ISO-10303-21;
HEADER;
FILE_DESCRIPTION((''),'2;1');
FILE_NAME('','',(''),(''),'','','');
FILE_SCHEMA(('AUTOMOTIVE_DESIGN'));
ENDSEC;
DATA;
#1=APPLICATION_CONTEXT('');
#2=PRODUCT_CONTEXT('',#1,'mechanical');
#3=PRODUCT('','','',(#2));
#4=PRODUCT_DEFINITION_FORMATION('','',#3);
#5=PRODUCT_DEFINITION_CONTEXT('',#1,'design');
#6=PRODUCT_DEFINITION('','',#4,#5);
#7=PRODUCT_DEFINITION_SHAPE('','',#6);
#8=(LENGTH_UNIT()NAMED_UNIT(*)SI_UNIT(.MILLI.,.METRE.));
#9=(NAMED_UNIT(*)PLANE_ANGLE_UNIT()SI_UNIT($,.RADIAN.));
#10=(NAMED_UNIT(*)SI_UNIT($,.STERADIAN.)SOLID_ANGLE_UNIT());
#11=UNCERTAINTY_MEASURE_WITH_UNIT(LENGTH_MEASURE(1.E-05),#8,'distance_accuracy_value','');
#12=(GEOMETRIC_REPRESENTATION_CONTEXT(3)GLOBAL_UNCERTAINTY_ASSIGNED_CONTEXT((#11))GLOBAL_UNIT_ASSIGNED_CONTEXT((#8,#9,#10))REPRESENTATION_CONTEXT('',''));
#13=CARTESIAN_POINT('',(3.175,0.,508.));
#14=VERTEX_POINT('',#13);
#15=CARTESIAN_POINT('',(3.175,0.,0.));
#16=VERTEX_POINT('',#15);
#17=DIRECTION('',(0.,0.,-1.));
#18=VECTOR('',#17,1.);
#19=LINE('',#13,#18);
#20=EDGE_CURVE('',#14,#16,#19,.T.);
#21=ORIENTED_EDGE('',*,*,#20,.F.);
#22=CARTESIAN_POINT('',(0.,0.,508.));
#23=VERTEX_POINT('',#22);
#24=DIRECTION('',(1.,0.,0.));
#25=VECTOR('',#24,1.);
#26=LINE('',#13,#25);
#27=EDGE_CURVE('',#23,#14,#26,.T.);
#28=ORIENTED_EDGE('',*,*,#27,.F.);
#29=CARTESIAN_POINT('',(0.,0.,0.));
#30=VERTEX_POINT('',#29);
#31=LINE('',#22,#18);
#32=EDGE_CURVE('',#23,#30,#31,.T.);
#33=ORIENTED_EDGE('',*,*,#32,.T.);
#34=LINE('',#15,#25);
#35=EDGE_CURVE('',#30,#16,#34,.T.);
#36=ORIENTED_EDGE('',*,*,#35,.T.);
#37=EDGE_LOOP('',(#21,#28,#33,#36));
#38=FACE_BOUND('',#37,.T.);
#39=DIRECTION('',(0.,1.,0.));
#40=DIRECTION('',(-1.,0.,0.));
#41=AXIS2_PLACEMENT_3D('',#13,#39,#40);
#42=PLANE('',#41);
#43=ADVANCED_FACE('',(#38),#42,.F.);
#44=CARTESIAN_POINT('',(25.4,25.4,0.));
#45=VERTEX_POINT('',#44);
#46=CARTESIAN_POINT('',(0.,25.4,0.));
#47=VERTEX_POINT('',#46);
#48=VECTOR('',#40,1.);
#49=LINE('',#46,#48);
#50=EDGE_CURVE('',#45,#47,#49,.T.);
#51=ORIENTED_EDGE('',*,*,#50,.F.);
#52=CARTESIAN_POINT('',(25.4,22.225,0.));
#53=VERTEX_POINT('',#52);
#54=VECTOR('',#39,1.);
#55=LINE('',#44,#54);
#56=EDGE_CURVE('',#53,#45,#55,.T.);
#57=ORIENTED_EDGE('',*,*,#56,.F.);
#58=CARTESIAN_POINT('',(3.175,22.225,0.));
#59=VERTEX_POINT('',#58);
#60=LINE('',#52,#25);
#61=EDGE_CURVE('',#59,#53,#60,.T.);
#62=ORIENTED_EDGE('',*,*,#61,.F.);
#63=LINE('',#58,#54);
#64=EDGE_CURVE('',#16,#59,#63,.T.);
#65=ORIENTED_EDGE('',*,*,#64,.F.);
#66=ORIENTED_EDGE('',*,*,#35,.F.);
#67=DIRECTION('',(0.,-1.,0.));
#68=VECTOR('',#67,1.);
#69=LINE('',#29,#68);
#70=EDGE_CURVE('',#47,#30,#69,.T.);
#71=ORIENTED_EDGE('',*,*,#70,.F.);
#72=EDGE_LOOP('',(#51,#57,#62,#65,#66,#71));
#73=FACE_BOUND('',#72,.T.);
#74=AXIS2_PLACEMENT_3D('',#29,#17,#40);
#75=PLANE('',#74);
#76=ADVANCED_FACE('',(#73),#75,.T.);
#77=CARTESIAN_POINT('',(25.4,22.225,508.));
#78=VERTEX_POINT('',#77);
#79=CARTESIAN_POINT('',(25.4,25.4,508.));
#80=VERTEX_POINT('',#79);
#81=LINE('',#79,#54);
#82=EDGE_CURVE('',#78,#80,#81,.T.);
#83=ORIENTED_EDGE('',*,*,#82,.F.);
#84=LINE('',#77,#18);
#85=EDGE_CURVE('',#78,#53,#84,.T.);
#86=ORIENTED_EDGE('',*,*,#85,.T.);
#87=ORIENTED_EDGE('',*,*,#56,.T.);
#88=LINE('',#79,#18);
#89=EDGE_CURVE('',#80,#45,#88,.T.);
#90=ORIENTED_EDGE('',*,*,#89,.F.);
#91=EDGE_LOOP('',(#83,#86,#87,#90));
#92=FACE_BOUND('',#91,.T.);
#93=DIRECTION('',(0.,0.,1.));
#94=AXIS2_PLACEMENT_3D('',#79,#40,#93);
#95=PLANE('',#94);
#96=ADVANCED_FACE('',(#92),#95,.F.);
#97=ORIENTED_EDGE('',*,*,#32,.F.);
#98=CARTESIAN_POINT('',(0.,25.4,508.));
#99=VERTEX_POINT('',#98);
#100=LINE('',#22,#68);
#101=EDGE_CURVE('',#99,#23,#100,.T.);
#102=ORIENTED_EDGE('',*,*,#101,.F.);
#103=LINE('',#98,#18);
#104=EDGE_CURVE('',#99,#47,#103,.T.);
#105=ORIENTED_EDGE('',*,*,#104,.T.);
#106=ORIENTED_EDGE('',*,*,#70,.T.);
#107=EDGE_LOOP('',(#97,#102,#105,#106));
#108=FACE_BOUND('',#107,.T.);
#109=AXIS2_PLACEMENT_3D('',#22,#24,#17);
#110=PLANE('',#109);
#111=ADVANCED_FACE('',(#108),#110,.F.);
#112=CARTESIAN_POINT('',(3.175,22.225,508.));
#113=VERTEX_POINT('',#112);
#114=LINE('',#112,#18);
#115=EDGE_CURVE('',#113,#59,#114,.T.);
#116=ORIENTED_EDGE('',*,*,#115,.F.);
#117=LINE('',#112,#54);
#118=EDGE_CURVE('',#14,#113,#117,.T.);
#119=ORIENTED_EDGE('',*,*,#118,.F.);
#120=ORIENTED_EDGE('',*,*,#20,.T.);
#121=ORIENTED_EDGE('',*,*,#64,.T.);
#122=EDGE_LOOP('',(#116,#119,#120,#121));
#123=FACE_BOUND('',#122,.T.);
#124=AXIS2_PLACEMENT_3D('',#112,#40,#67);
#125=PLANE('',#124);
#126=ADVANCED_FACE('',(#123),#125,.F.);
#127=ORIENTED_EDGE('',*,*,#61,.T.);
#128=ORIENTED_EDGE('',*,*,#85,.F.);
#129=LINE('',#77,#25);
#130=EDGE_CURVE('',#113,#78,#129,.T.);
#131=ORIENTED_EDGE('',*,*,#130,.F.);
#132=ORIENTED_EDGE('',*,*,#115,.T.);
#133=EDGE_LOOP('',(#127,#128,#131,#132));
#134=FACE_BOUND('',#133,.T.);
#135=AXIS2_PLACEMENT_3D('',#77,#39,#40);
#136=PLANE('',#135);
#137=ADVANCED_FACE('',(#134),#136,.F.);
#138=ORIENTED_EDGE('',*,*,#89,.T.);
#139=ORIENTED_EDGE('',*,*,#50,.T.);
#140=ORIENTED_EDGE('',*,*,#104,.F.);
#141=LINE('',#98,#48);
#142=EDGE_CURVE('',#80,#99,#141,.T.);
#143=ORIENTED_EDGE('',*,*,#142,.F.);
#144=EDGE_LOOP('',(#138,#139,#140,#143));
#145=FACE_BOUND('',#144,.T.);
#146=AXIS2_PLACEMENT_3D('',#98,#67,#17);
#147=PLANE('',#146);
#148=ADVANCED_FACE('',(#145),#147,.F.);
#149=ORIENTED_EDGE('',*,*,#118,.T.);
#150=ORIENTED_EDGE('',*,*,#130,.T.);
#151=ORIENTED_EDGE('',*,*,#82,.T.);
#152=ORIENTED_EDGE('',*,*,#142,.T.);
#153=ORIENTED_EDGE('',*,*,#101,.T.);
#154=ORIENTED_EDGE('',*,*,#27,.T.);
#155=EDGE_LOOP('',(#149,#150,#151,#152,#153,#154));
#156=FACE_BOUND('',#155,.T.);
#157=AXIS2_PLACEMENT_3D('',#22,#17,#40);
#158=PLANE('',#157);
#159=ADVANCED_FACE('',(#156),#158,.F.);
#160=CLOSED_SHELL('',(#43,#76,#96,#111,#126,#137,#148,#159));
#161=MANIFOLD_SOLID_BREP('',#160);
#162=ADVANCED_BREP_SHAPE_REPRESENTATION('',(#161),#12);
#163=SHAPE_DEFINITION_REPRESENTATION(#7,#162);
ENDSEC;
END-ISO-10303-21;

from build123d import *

# Parameters (mm, degrees)
BOSS_EXTRUDE1_DEPTH = 508


with BuildPart() as part:
    # Sketch1 → Boss-Extrude1 (new body)
    with BuildSketch(Plane.XY):
        Polygon((0, 0), (0, 25.4), (25.4, 25.4), (25.4, 22.225), (3.175, 22.225), (3.175, 0), align=None)
    extrude(amount=BOSS_EXTRUDE1_DEPTH)


solid = part.part
